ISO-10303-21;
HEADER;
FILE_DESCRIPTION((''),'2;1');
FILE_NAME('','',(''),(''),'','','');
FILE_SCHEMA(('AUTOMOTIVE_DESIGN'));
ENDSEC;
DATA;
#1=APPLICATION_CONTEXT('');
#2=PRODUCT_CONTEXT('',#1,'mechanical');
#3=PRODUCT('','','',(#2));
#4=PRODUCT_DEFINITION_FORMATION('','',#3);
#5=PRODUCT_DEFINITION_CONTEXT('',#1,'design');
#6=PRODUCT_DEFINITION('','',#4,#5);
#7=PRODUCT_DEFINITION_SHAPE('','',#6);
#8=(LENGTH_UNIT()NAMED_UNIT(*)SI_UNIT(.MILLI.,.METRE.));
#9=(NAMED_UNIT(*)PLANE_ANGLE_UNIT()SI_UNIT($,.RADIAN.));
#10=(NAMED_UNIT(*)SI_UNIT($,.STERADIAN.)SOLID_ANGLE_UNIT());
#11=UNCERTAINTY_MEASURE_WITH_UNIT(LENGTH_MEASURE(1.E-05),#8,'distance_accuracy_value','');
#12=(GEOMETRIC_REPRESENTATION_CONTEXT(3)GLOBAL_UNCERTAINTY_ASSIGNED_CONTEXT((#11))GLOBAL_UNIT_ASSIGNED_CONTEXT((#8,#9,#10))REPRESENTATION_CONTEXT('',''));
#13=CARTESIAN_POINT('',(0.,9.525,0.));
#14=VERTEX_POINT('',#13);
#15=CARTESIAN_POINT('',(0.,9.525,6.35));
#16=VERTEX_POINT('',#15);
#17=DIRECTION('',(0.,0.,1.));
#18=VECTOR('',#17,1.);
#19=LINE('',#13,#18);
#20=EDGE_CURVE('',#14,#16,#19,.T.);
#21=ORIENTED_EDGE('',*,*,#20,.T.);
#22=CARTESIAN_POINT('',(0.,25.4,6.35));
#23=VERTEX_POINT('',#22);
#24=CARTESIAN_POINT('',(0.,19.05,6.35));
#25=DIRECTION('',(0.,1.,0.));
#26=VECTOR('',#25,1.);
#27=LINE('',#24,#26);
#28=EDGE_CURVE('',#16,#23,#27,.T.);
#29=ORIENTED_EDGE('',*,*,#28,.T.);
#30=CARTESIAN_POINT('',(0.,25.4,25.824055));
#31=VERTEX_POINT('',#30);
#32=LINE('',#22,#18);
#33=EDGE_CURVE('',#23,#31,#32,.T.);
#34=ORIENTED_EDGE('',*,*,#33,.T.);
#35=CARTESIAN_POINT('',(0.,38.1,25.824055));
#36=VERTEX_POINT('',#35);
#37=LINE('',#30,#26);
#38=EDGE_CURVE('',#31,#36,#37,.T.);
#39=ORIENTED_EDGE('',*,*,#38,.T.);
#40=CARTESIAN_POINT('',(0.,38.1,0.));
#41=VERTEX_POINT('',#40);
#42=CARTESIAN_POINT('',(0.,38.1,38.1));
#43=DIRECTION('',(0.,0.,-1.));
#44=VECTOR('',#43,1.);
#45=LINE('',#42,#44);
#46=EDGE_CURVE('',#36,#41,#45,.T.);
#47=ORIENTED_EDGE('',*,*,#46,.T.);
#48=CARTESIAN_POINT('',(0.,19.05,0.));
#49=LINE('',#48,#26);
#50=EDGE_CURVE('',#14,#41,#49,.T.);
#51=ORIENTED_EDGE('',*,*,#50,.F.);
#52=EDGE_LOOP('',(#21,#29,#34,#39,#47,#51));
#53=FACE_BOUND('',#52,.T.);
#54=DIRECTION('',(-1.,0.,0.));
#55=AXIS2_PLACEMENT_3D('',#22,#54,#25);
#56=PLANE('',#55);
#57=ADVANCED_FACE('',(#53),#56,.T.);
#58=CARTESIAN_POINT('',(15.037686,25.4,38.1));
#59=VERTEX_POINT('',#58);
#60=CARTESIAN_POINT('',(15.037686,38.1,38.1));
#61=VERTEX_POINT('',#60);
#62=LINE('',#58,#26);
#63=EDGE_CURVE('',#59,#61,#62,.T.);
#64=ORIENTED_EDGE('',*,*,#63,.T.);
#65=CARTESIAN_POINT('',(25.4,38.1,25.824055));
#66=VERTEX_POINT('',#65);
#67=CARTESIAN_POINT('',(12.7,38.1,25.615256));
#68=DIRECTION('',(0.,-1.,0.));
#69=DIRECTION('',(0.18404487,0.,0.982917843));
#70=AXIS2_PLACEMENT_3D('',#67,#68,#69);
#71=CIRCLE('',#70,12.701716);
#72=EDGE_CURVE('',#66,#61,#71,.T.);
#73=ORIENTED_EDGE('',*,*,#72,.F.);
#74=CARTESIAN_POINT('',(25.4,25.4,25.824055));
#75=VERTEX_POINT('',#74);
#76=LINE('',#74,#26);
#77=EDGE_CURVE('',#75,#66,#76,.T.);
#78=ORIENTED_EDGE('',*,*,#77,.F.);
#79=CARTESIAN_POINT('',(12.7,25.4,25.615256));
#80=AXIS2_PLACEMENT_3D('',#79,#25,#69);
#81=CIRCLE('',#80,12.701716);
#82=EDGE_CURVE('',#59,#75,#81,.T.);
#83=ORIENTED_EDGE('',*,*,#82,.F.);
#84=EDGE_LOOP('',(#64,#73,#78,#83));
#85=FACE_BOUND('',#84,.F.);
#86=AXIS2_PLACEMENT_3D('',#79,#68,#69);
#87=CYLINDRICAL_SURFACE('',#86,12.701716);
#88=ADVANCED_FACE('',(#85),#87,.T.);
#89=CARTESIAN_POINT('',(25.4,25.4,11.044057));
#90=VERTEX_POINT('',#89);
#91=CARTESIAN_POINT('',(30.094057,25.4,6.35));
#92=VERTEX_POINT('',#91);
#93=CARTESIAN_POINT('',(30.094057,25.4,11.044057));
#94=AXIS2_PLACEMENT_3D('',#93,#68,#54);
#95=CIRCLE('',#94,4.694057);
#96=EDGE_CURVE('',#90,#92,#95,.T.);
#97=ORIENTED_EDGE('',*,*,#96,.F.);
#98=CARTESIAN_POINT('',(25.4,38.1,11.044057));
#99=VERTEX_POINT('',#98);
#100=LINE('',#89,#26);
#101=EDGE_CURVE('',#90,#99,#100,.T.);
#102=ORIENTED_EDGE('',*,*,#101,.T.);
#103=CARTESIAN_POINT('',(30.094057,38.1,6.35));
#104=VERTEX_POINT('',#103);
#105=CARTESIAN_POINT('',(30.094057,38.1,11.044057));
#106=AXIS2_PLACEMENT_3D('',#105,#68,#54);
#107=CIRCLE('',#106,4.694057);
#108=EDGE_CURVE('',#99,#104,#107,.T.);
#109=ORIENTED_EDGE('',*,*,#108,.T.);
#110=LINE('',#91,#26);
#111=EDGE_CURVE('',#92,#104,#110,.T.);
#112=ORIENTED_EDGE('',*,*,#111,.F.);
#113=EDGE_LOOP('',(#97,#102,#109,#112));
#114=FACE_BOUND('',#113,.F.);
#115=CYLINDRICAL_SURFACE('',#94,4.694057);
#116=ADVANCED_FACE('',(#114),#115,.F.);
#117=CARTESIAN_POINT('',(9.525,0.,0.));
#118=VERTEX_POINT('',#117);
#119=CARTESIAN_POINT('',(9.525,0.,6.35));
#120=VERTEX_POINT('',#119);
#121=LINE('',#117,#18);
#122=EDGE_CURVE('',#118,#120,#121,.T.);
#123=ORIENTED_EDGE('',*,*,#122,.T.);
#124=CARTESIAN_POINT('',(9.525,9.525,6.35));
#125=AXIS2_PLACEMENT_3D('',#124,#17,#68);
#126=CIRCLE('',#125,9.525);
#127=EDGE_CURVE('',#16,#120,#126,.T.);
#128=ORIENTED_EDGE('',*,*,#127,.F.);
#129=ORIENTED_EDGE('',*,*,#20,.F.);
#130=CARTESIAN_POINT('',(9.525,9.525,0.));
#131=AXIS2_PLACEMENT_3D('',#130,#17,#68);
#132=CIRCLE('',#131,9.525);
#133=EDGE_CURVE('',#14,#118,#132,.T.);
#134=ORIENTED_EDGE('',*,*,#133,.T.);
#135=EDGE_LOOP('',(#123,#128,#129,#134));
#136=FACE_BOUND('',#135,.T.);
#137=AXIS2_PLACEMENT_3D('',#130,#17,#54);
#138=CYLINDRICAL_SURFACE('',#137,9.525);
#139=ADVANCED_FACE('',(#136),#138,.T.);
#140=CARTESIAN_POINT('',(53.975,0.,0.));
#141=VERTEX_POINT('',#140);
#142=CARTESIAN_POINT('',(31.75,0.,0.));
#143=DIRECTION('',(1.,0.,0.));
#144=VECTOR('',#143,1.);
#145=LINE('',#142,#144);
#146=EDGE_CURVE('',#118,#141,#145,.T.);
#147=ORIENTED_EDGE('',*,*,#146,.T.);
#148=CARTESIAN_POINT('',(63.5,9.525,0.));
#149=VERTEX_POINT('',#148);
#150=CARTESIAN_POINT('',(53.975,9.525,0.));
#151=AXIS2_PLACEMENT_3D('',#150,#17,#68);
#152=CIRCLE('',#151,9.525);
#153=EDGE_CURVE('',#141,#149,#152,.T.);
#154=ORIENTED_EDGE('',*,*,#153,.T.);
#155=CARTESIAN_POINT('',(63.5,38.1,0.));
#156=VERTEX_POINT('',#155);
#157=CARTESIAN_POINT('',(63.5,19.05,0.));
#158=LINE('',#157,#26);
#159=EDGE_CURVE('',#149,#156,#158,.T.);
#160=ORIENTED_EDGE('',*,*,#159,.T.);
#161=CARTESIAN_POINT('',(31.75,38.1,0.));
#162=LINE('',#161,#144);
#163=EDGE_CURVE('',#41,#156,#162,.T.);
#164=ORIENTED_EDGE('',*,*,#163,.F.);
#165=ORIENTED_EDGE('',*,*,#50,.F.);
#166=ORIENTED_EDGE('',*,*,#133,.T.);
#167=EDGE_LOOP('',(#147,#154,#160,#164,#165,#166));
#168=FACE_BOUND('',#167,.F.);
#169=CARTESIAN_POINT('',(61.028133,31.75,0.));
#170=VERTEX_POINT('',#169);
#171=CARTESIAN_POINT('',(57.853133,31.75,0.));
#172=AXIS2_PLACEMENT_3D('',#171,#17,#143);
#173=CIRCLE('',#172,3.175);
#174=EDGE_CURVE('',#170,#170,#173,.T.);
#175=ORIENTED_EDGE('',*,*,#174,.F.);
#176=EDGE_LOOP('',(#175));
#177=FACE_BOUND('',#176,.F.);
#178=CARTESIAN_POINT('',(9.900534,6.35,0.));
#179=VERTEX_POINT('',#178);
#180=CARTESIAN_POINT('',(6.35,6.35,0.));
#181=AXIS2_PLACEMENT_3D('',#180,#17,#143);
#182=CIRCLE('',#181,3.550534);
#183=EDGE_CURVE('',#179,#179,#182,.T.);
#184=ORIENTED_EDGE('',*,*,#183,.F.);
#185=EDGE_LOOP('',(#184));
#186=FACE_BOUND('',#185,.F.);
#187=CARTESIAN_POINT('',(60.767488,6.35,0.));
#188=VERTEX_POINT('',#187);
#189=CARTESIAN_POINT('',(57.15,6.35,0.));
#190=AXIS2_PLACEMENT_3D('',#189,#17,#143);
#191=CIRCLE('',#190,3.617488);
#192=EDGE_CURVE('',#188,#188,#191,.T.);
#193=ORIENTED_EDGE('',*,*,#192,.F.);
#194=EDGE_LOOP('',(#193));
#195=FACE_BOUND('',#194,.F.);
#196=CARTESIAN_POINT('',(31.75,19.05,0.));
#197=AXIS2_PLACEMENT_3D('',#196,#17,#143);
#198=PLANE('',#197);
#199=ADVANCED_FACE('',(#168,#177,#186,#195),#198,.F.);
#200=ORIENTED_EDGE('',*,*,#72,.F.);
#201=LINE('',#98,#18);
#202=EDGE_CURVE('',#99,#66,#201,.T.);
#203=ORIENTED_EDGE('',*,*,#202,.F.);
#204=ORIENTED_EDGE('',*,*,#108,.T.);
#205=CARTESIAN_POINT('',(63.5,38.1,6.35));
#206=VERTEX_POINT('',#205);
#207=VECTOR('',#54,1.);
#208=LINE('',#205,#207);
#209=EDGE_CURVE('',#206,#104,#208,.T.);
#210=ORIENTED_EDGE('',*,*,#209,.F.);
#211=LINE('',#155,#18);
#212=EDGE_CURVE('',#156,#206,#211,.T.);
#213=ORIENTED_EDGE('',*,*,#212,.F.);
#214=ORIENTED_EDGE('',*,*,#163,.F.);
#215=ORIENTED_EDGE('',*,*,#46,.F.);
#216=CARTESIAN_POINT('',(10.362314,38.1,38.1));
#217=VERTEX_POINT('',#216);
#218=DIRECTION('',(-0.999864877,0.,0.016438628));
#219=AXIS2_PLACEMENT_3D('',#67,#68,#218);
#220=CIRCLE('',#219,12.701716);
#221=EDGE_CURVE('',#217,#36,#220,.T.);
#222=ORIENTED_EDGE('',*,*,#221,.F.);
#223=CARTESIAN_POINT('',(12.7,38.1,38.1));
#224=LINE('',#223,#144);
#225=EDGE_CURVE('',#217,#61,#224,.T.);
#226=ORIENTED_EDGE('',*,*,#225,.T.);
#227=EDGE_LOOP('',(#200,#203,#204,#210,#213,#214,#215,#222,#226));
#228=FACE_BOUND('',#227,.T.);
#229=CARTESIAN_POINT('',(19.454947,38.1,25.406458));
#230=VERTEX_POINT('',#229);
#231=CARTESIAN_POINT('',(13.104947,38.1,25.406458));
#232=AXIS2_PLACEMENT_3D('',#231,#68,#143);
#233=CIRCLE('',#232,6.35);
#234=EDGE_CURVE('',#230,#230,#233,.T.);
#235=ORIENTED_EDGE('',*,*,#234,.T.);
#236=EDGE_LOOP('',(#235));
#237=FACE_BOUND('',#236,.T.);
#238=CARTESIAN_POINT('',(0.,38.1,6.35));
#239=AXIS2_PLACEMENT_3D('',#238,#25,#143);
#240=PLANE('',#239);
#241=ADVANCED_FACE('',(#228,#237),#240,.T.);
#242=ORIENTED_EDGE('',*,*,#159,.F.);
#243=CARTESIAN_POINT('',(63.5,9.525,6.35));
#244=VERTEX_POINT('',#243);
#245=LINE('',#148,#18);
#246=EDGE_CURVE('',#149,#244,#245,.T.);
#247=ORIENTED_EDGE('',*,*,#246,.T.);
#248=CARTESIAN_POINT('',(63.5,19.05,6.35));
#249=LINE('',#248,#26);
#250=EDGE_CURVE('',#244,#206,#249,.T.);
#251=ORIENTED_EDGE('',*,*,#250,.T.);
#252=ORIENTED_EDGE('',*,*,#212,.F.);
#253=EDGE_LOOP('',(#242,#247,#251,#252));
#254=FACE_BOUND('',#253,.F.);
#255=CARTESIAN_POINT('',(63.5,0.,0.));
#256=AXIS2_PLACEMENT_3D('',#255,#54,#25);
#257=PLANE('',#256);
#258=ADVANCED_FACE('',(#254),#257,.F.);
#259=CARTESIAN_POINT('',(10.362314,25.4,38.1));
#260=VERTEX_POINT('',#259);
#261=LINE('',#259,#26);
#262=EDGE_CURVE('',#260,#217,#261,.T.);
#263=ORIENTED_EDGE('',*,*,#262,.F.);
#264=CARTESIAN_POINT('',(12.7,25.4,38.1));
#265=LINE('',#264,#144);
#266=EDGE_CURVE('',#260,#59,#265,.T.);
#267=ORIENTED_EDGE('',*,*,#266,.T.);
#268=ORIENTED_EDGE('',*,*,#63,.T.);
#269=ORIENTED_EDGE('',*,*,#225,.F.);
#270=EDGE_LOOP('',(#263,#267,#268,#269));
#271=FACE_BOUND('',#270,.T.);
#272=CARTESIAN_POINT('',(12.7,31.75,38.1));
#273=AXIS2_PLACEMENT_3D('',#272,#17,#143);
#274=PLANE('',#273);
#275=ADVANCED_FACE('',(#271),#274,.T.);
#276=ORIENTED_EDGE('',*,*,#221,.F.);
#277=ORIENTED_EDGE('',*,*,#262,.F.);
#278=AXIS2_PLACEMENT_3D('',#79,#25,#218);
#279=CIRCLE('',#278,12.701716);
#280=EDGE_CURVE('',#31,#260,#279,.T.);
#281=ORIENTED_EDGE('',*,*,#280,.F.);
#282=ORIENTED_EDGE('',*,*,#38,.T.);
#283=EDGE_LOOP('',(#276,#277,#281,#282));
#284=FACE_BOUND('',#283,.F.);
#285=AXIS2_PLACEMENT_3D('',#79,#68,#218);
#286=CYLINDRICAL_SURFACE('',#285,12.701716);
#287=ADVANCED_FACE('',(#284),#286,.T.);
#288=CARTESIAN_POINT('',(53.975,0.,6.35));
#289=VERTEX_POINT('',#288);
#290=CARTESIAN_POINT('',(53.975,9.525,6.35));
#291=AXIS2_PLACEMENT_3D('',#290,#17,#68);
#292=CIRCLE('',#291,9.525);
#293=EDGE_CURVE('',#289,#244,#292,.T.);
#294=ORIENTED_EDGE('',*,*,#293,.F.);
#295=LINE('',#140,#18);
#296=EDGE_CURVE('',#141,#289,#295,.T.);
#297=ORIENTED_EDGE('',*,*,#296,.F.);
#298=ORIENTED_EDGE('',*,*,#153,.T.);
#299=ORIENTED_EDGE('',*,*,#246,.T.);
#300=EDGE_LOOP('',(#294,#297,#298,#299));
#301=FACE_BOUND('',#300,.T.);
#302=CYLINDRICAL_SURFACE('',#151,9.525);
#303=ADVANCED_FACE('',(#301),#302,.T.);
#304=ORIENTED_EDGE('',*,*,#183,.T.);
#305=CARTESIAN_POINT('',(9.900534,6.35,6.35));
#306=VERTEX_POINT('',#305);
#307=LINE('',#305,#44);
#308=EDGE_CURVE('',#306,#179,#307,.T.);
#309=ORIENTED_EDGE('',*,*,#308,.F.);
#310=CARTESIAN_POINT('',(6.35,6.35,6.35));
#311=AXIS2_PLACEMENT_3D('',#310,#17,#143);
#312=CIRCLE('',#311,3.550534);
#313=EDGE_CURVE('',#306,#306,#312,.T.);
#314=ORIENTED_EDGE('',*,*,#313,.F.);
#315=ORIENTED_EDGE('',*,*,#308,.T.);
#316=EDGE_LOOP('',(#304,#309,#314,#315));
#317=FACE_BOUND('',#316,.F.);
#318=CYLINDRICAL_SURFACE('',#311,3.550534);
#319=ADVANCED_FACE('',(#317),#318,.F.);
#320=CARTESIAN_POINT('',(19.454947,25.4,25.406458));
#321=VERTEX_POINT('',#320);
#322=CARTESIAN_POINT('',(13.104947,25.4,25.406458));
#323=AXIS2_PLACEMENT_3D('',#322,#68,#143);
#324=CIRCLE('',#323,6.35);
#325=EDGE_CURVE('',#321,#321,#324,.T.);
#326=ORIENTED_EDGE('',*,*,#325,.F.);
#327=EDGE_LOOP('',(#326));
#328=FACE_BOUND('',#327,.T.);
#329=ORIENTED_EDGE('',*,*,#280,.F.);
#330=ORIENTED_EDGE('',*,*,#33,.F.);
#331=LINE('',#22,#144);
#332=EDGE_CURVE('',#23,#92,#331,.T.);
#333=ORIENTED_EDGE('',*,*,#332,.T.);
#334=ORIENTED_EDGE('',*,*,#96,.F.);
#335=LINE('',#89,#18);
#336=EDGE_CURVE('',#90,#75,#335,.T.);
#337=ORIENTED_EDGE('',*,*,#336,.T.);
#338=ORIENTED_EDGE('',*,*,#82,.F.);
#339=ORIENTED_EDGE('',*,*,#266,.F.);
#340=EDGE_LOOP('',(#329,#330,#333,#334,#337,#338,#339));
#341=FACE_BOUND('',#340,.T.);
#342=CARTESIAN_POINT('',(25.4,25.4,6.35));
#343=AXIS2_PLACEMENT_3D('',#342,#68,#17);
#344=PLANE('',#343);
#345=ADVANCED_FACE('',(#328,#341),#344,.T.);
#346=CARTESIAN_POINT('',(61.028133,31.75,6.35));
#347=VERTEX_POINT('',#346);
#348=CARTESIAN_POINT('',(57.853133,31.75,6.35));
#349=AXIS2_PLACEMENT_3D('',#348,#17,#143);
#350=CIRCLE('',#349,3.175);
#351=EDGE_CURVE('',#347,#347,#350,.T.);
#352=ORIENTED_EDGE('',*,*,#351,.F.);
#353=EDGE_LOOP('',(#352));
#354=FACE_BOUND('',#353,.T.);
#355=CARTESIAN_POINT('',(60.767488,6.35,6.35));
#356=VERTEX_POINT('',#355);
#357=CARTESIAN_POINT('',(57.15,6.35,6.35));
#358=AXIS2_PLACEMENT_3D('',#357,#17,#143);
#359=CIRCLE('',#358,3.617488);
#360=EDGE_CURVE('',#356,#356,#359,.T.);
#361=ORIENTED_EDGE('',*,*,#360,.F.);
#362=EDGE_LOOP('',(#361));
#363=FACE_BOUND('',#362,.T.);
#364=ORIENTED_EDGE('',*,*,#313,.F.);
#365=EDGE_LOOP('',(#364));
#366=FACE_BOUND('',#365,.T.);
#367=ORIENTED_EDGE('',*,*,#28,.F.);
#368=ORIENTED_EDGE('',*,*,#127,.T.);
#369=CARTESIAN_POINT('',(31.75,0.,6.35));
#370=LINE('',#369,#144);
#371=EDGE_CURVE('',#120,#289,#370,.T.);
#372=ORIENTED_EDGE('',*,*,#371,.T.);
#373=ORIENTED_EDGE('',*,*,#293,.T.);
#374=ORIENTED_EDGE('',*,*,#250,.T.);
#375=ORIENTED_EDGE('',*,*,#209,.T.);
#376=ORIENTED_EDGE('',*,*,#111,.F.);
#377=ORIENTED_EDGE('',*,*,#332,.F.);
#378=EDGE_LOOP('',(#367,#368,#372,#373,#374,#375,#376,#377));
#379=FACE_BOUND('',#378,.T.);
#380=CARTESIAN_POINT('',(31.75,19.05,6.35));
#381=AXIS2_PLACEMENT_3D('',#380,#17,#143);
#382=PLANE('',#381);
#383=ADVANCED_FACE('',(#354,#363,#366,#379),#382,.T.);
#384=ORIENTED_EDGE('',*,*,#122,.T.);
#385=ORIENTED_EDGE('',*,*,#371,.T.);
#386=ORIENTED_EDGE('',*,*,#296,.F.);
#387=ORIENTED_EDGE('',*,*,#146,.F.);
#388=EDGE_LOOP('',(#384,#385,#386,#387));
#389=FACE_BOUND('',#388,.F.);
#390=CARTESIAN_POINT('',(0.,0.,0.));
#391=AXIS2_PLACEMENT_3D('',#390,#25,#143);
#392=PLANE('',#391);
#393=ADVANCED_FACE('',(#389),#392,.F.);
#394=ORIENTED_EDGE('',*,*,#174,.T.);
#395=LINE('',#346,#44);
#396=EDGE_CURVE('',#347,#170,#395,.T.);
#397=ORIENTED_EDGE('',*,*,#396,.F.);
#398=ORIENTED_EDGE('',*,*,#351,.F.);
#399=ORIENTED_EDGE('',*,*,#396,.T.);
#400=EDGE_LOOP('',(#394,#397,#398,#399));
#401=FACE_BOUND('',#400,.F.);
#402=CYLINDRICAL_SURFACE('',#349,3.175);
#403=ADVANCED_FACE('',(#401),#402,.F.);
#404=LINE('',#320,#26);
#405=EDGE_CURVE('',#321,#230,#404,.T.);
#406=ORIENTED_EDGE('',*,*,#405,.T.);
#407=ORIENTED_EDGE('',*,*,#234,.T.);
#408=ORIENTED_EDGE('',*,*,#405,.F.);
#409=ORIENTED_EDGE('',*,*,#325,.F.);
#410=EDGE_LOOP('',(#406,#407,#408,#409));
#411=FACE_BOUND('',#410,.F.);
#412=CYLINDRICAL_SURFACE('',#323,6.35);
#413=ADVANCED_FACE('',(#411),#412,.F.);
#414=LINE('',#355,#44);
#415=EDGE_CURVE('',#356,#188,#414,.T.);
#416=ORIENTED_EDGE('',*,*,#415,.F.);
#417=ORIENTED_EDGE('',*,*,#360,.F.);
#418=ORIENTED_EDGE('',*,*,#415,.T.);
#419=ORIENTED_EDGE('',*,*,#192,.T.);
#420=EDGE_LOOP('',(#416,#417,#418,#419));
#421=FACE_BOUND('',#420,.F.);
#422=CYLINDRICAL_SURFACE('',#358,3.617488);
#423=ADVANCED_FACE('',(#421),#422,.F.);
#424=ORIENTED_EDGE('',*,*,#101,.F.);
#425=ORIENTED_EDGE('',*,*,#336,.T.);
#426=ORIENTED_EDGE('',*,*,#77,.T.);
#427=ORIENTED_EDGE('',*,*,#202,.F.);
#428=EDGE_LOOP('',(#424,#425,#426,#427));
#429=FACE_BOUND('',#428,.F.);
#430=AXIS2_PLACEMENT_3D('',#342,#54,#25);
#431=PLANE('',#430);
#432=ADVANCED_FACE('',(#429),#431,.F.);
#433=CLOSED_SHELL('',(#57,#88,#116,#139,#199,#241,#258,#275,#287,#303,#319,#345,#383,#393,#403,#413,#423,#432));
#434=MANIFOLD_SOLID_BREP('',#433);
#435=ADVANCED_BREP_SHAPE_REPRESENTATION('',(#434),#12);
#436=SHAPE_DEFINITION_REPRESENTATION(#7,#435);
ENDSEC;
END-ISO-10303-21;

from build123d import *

# Parameters (mm, degrees)
F0_W      = 63.5
F0_H      = 38.1
F1_DEPTH  = 6.35
F2_R      = 3.5505344057
F2_R_2    = 3.6174877647
F2_R_3    = 3.175
F3_DEPTH  = 25.4
F4_W      = 25.4
F4_H      = 12.7
F5_DEPTH  = 31.75
F6_R      = 6.35
F7_DEPTH  = 12.701
F8_R      = 9.525
F9_W      = 12.7
F9_H      = 9.7370275993
F10_DEPTH = 12.7
F12_DEPTH = 25.4


with BuildPart() as f1:
    # F0 (on Top) → F1 (new body)
    with BuildSketch(Plane.XY):
        with Locations((31.75, 19.05)):
            Rectangle(F0_W, F0_H)
    extrude(amount=F1_DEPTH)

    # F2 (on face) → F3 (cut)
    with BuildSketch(Plane.XY.offset(6.35)):
        with Locations((6.35, 6.35)):
            Circle(F2_R)
        with Locations((57.15, 6.35)):
            Circle(F2_R_2)
        with Locations((57.8531328631, 31.75)):
            Circle(F2_R_3)
    extrude(amount=-F3_DEPTH, mode=Mode.SUBTRACT)

    # F4 (on face) → F5 (join)
    with BuildSketch(Plane.XY.offset(6.35)):
        with Locations((12.7, 31.75)):
            Rectangle(F4_W, F4_H)
    extrude(amount=F5_DEPTH)

    # F6 (on face) → F7 (cut, through all)
    with BuildSketch(Plane.XZ.offset(-25.4)):
        with Locations((13.1049470376, 25.4064576301)):
            Circle(F6_R)
        with BuildLine():
            ThreePointArc((0, 25.8240551986), (2.9939347232, 33.8082957634), (10.3623142783, 38.1))
            Line((10.3623142783, 38.1), (0, 38.1))
            Line((0, 38.1), (0, 25.8240551986))
        make_face()
        with BuildLine():
            ThreePointArc((15.0376857217, 38.1), (22.4060652768, 33.8082957634), (25.4, 25.8240551986))
            Line((25.4, 25.8240551986), (25.4, 38.1))
            Line((25.4, 38.1), (15.0376857217, 38.1))
        make_face()
    extrude(amount=-F7_DEPTH, mode=Mode.SUBTRACT)

    # F8
    f8_edges = [f1.edges().sort_by_distance(p)[0] for p in [
        (0, 0, 3.175),
        (63.5, 0, 3.175),
    ]]
    fillet(f8_edges, radius=F8_R)

    # F9 (on face) → F10 (join)
    with BuildSketch(Plane.YZ.offset(25.4)):
        with Locations((31.75, 11.2185137997)):
            Rectangle(F9_W, F9_H)
    extrude(amount=F10_DEPTH)

    # F11 (on face) → F12 (cut)
    with BuildSketch(Plane.XZ.offset(-25.4)):
        with BuildLine():
            ThreePointArc((34.7881134803, 11.0440567401), (30.0940567401, 15.7381134803), (25.4, 11.0440567401))
            ThreePointArc((25.4, 11.0440567401), (26.7748573879, 7.7248573879), (30.0940567401, 6.35))
            ThreePointArc((30.0940567401, 6.35), (33.4132560924, 7.7248573879), (34.7881134803, 11.0440567401))
        make_face()
        with BuildLine():
            Line((38.1, 16.0870275993), (25.4, 16.0870275993))
            Line((25.4, 16.0870275993), (25.4, 11.0440567401))
            ThreePointArc((25.4, 11.0440567401), (30.0940567401, 15.7381134803), (34.7881134803, 11.0440567401))
            ThreePointArc((34.7881134803, 11.0440567401), (33.4132560924, 7.7248573879), (30.0940567401, 6.35))
            Line((30.0940567401, 6.35), (38.1, 6.35))
            Line((38.1, 6.35), (38.1, 16.0870275993))
        make_face()
    extrude(amount=-F12_DEPTH, mode=Mode.SUBTRACT)


solid = f1.part
